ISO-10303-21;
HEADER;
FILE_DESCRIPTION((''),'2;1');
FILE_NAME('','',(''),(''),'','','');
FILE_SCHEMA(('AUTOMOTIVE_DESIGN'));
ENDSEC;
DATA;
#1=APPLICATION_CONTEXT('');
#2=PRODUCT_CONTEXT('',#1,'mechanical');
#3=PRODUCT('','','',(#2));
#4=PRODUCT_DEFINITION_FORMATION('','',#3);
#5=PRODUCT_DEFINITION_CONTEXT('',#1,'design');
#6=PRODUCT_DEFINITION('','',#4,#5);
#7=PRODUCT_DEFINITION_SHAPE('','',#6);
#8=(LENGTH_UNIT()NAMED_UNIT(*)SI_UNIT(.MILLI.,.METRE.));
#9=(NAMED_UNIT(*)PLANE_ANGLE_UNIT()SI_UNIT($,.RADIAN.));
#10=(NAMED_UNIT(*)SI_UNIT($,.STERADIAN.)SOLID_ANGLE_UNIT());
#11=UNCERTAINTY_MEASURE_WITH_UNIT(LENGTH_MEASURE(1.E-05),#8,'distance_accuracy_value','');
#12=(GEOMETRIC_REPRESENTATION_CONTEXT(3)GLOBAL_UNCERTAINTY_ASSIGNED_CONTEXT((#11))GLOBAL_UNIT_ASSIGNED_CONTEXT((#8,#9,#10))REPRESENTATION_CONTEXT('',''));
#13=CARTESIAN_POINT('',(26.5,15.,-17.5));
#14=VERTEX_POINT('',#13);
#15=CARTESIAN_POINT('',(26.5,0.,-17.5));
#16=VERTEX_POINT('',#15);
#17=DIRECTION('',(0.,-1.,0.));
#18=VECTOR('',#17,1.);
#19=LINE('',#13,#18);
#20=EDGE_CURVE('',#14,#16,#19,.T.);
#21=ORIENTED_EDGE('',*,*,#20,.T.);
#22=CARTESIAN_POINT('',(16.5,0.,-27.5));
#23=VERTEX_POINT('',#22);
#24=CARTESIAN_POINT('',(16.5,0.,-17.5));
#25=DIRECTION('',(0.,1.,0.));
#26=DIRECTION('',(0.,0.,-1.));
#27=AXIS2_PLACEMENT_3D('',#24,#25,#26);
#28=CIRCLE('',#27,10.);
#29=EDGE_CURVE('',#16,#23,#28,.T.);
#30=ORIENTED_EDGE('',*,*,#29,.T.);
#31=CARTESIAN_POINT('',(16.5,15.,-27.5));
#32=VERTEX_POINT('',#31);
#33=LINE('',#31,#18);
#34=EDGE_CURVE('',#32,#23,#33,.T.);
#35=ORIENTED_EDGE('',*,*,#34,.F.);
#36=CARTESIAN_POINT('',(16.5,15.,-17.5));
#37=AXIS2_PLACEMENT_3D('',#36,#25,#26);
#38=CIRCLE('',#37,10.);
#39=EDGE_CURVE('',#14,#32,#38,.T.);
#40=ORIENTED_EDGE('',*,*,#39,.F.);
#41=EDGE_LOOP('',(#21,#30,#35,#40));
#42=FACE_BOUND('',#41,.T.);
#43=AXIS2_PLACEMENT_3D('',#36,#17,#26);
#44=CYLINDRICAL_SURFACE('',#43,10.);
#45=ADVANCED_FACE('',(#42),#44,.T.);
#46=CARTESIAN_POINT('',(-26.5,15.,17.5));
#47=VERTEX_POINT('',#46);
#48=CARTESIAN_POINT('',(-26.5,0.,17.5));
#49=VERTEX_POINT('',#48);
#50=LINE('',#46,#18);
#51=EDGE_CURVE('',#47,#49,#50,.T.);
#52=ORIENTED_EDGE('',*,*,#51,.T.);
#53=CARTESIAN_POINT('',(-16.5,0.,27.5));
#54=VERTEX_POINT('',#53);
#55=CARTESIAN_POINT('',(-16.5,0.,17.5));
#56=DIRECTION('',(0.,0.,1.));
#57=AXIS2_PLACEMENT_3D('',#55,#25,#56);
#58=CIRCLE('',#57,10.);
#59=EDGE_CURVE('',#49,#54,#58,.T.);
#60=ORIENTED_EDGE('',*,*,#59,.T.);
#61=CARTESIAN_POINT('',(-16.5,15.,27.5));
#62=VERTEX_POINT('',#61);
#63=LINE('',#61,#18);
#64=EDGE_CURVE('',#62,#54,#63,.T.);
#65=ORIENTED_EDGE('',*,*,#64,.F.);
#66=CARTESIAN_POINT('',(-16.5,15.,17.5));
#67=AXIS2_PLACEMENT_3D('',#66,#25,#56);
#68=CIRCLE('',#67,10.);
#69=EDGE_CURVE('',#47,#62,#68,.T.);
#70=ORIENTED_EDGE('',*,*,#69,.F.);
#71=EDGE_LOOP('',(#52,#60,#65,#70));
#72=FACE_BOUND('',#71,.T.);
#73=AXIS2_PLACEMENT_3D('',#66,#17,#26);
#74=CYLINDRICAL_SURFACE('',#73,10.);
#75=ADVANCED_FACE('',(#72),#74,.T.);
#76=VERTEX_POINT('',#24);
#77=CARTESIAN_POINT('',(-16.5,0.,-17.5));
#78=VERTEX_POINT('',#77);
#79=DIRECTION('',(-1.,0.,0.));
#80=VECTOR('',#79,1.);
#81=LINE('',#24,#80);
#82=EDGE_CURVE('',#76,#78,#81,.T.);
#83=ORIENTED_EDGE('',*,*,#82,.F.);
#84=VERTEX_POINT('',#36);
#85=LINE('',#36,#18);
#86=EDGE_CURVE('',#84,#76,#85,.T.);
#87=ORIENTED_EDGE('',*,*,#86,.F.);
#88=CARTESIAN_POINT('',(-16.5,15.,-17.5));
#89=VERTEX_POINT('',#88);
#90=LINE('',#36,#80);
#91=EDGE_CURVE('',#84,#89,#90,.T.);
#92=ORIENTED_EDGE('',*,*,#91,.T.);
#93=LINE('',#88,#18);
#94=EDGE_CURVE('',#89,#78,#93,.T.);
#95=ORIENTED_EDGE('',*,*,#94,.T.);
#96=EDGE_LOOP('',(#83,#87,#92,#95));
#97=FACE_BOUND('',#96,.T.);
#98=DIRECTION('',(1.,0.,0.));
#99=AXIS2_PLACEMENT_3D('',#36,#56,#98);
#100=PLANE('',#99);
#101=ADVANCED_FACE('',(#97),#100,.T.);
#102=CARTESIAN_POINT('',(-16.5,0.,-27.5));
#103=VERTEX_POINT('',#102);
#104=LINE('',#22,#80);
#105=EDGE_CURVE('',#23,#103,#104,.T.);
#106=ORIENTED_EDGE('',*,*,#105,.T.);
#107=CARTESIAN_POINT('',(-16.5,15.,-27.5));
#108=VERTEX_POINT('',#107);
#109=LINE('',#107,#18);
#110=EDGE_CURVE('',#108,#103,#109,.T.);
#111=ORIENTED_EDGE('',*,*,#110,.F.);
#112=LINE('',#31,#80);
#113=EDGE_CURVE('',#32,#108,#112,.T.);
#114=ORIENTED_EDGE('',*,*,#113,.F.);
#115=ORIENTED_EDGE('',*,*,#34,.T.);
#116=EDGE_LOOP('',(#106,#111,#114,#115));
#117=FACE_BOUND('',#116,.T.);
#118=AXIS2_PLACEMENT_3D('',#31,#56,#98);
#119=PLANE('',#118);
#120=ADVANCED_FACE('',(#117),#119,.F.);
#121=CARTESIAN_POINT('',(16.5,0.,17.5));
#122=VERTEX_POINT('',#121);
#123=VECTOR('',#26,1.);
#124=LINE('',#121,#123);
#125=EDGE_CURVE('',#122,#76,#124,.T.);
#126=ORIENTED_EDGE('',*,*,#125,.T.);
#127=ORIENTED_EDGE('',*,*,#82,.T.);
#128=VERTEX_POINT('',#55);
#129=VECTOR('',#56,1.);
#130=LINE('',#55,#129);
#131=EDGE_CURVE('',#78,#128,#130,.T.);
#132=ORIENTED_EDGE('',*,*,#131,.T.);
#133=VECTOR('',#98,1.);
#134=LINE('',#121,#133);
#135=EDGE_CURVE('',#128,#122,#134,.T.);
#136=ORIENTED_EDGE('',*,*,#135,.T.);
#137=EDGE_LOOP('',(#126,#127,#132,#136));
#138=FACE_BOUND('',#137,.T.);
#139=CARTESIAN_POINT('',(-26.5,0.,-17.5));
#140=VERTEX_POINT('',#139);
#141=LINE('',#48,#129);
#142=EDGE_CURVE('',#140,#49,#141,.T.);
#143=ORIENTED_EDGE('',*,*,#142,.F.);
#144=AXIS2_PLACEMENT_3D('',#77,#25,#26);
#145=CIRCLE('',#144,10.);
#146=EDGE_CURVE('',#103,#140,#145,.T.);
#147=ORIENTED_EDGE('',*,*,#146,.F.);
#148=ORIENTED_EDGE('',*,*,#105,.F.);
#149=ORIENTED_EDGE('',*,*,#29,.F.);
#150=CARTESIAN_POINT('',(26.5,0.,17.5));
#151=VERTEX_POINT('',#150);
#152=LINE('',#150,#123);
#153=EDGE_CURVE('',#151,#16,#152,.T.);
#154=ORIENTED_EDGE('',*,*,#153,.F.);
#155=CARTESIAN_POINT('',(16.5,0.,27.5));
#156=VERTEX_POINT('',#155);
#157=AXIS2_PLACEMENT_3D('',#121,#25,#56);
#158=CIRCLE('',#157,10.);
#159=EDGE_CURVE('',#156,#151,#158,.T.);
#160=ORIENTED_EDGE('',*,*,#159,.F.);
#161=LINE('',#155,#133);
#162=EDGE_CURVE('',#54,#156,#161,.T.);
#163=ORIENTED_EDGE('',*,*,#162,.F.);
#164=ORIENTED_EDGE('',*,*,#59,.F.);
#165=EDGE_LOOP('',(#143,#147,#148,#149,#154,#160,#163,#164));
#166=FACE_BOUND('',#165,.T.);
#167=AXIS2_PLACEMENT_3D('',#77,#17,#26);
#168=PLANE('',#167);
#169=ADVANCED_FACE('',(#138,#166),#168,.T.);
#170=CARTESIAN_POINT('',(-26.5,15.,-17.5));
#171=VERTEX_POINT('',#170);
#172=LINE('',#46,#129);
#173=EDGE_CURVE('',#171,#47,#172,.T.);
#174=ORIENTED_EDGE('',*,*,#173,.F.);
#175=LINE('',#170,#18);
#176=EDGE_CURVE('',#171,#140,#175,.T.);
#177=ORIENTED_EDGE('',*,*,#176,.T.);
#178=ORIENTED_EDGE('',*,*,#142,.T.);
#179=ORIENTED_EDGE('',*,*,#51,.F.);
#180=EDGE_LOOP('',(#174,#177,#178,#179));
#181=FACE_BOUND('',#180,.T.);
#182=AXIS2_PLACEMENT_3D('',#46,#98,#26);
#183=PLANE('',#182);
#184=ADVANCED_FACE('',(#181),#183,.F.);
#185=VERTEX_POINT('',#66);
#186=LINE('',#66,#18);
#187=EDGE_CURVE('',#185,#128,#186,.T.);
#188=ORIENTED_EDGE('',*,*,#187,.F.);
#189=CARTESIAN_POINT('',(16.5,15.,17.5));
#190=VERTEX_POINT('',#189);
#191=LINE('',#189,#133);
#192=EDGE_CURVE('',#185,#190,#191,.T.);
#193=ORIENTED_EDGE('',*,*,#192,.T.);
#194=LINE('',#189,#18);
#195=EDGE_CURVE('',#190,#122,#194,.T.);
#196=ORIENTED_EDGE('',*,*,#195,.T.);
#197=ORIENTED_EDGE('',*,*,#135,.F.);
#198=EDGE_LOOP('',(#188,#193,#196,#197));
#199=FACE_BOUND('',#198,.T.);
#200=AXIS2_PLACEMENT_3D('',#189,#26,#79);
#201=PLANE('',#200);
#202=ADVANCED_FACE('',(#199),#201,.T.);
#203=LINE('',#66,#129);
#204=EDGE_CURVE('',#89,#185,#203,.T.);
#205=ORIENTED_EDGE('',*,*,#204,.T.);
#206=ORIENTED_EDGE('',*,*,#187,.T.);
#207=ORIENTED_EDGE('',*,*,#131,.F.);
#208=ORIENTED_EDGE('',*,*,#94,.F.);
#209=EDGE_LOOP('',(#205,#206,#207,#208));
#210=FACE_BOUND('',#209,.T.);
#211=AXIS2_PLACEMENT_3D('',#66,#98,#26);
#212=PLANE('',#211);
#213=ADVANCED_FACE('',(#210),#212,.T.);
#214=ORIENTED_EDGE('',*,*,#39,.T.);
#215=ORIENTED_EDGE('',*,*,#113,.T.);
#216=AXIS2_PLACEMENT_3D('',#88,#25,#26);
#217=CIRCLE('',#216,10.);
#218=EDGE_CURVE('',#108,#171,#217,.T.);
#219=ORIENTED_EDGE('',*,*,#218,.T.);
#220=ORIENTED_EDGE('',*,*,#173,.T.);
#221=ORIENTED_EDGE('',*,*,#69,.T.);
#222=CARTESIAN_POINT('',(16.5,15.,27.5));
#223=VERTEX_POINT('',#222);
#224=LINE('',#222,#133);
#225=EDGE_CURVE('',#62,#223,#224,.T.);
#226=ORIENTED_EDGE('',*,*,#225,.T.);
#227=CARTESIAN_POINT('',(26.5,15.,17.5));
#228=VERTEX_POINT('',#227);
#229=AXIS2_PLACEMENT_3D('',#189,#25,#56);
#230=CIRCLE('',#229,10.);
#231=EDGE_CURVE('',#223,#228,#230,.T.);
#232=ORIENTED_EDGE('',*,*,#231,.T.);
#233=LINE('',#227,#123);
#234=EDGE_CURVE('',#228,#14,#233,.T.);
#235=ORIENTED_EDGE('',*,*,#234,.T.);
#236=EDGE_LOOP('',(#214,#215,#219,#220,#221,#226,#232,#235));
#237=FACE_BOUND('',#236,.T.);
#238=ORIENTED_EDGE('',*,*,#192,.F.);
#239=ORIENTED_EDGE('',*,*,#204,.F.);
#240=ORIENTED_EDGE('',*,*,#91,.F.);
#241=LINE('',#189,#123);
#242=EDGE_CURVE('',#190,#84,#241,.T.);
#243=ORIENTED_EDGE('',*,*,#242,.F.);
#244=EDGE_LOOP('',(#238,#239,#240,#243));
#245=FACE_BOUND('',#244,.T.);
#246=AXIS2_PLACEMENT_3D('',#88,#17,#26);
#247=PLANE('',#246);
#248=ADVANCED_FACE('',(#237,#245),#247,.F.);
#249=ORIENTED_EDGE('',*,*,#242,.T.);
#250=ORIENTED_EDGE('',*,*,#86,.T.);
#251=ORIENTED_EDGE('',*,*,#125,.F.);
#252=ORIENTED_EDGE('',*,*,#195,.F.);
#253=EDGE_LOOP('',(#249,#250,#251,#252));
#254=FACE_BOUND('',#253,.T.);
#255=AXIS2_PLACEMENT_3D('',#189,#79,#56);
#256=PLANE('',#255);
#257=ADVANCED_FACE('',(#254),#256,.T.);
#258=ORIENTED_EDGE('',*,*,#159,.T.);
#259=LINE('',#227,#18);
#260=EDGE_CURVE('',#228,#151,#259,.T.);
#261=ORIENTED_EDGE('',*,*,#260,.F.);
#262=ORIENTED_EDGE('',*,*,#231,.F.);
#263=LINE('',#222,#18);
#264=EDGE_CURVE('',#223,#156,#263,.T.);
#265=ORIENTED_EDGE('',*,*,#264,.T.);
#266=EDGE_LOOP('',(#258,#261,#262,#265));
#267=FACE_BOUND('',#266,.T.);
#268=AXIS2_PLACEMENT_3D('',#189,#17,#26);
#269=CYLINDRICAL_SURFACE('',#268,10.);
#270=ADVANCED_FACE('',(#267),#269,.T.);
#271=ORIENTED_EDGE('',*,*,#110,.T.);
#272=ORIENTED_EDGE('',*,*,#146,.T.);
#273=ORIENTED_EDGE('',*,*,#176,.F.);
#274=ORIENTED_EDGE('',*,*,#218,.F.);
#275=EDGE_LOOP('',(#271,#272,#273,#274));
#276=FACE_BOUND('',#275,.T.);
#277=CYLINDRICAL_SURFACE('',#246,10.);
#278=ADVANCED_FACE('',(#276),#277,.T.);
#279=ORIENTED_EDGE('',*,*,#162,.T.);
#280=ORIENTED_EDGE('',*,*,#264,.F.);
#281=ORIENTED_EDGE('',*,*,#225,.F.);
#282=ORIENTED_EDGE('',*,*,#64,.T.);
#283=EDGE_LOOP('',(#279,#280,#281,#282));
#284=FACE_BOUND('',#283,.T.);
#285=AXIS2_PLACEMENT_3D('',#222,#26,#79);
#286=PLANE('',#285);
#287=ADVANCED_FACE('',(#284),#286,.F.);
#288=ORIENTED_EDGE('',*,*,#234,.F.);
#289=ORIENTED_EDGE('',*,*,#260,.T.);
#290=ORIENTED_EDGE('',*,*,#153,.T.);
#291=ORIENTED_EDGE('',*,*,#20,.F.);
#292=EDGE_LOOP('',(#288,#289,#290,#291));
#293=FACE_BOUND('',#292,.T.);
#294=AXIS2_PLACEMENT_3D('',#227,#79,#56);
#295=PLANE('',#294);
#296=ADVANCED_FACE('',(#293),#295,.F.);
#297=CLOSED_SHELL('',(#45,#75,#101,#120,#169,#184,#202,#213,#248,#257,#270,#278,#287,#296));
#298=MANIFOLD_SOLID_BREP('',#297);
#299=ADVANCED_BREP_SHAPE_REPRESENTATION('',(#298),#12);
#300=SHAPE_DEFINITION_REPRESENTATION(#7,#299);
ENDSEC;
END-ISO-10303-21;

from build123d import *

# Parameters (mm, degrees)
SKETCH_1_W      = 33
SKETCH_1_H      = 35
EXTRUDE_1_DEPTH = 15


with BuildPart() as part:
    # 草圖1 → 填料-伸長1 (new body)
    with BuildSketch(Plane(origin=(0, 0, 0), x_dir=(1, 0, 0), z_dir=(0, 1, 0))):
        with BuildLine():
            Line((16.5, -27.5), (-16.5, -27.5))
            ThreePointArc((-16.5, -27.5), (-23.571067812, -24.571067812), (-26.5, -17.5))
            Line((-26.5, -17.5), (-26.5, 17.5))
            ThreePointArc((-26.5, 17.5), (-23.571067812, 24.571067812), (-16.5, 27.5))
            Line((-16.5, 27.5), (16.5, 27.5))
            ThreePointArc((16.5, 27.5), (23.571067812, 24.571067812), (26.5, 17.5))
            Line((26.5, 17.5), (26.5, -17.5))
            ThreePointArc((26.5, -17.5), (23.571067812, -24.571067812), (16.5, -27.5))
        make_face()
        Rectangle(SKETCH_1_W, SKETCH_1_H, mode=Mode.SUBTRACT)
    extrude(amount=EXTRUDE_1_DEPTH)


solid = part.part
